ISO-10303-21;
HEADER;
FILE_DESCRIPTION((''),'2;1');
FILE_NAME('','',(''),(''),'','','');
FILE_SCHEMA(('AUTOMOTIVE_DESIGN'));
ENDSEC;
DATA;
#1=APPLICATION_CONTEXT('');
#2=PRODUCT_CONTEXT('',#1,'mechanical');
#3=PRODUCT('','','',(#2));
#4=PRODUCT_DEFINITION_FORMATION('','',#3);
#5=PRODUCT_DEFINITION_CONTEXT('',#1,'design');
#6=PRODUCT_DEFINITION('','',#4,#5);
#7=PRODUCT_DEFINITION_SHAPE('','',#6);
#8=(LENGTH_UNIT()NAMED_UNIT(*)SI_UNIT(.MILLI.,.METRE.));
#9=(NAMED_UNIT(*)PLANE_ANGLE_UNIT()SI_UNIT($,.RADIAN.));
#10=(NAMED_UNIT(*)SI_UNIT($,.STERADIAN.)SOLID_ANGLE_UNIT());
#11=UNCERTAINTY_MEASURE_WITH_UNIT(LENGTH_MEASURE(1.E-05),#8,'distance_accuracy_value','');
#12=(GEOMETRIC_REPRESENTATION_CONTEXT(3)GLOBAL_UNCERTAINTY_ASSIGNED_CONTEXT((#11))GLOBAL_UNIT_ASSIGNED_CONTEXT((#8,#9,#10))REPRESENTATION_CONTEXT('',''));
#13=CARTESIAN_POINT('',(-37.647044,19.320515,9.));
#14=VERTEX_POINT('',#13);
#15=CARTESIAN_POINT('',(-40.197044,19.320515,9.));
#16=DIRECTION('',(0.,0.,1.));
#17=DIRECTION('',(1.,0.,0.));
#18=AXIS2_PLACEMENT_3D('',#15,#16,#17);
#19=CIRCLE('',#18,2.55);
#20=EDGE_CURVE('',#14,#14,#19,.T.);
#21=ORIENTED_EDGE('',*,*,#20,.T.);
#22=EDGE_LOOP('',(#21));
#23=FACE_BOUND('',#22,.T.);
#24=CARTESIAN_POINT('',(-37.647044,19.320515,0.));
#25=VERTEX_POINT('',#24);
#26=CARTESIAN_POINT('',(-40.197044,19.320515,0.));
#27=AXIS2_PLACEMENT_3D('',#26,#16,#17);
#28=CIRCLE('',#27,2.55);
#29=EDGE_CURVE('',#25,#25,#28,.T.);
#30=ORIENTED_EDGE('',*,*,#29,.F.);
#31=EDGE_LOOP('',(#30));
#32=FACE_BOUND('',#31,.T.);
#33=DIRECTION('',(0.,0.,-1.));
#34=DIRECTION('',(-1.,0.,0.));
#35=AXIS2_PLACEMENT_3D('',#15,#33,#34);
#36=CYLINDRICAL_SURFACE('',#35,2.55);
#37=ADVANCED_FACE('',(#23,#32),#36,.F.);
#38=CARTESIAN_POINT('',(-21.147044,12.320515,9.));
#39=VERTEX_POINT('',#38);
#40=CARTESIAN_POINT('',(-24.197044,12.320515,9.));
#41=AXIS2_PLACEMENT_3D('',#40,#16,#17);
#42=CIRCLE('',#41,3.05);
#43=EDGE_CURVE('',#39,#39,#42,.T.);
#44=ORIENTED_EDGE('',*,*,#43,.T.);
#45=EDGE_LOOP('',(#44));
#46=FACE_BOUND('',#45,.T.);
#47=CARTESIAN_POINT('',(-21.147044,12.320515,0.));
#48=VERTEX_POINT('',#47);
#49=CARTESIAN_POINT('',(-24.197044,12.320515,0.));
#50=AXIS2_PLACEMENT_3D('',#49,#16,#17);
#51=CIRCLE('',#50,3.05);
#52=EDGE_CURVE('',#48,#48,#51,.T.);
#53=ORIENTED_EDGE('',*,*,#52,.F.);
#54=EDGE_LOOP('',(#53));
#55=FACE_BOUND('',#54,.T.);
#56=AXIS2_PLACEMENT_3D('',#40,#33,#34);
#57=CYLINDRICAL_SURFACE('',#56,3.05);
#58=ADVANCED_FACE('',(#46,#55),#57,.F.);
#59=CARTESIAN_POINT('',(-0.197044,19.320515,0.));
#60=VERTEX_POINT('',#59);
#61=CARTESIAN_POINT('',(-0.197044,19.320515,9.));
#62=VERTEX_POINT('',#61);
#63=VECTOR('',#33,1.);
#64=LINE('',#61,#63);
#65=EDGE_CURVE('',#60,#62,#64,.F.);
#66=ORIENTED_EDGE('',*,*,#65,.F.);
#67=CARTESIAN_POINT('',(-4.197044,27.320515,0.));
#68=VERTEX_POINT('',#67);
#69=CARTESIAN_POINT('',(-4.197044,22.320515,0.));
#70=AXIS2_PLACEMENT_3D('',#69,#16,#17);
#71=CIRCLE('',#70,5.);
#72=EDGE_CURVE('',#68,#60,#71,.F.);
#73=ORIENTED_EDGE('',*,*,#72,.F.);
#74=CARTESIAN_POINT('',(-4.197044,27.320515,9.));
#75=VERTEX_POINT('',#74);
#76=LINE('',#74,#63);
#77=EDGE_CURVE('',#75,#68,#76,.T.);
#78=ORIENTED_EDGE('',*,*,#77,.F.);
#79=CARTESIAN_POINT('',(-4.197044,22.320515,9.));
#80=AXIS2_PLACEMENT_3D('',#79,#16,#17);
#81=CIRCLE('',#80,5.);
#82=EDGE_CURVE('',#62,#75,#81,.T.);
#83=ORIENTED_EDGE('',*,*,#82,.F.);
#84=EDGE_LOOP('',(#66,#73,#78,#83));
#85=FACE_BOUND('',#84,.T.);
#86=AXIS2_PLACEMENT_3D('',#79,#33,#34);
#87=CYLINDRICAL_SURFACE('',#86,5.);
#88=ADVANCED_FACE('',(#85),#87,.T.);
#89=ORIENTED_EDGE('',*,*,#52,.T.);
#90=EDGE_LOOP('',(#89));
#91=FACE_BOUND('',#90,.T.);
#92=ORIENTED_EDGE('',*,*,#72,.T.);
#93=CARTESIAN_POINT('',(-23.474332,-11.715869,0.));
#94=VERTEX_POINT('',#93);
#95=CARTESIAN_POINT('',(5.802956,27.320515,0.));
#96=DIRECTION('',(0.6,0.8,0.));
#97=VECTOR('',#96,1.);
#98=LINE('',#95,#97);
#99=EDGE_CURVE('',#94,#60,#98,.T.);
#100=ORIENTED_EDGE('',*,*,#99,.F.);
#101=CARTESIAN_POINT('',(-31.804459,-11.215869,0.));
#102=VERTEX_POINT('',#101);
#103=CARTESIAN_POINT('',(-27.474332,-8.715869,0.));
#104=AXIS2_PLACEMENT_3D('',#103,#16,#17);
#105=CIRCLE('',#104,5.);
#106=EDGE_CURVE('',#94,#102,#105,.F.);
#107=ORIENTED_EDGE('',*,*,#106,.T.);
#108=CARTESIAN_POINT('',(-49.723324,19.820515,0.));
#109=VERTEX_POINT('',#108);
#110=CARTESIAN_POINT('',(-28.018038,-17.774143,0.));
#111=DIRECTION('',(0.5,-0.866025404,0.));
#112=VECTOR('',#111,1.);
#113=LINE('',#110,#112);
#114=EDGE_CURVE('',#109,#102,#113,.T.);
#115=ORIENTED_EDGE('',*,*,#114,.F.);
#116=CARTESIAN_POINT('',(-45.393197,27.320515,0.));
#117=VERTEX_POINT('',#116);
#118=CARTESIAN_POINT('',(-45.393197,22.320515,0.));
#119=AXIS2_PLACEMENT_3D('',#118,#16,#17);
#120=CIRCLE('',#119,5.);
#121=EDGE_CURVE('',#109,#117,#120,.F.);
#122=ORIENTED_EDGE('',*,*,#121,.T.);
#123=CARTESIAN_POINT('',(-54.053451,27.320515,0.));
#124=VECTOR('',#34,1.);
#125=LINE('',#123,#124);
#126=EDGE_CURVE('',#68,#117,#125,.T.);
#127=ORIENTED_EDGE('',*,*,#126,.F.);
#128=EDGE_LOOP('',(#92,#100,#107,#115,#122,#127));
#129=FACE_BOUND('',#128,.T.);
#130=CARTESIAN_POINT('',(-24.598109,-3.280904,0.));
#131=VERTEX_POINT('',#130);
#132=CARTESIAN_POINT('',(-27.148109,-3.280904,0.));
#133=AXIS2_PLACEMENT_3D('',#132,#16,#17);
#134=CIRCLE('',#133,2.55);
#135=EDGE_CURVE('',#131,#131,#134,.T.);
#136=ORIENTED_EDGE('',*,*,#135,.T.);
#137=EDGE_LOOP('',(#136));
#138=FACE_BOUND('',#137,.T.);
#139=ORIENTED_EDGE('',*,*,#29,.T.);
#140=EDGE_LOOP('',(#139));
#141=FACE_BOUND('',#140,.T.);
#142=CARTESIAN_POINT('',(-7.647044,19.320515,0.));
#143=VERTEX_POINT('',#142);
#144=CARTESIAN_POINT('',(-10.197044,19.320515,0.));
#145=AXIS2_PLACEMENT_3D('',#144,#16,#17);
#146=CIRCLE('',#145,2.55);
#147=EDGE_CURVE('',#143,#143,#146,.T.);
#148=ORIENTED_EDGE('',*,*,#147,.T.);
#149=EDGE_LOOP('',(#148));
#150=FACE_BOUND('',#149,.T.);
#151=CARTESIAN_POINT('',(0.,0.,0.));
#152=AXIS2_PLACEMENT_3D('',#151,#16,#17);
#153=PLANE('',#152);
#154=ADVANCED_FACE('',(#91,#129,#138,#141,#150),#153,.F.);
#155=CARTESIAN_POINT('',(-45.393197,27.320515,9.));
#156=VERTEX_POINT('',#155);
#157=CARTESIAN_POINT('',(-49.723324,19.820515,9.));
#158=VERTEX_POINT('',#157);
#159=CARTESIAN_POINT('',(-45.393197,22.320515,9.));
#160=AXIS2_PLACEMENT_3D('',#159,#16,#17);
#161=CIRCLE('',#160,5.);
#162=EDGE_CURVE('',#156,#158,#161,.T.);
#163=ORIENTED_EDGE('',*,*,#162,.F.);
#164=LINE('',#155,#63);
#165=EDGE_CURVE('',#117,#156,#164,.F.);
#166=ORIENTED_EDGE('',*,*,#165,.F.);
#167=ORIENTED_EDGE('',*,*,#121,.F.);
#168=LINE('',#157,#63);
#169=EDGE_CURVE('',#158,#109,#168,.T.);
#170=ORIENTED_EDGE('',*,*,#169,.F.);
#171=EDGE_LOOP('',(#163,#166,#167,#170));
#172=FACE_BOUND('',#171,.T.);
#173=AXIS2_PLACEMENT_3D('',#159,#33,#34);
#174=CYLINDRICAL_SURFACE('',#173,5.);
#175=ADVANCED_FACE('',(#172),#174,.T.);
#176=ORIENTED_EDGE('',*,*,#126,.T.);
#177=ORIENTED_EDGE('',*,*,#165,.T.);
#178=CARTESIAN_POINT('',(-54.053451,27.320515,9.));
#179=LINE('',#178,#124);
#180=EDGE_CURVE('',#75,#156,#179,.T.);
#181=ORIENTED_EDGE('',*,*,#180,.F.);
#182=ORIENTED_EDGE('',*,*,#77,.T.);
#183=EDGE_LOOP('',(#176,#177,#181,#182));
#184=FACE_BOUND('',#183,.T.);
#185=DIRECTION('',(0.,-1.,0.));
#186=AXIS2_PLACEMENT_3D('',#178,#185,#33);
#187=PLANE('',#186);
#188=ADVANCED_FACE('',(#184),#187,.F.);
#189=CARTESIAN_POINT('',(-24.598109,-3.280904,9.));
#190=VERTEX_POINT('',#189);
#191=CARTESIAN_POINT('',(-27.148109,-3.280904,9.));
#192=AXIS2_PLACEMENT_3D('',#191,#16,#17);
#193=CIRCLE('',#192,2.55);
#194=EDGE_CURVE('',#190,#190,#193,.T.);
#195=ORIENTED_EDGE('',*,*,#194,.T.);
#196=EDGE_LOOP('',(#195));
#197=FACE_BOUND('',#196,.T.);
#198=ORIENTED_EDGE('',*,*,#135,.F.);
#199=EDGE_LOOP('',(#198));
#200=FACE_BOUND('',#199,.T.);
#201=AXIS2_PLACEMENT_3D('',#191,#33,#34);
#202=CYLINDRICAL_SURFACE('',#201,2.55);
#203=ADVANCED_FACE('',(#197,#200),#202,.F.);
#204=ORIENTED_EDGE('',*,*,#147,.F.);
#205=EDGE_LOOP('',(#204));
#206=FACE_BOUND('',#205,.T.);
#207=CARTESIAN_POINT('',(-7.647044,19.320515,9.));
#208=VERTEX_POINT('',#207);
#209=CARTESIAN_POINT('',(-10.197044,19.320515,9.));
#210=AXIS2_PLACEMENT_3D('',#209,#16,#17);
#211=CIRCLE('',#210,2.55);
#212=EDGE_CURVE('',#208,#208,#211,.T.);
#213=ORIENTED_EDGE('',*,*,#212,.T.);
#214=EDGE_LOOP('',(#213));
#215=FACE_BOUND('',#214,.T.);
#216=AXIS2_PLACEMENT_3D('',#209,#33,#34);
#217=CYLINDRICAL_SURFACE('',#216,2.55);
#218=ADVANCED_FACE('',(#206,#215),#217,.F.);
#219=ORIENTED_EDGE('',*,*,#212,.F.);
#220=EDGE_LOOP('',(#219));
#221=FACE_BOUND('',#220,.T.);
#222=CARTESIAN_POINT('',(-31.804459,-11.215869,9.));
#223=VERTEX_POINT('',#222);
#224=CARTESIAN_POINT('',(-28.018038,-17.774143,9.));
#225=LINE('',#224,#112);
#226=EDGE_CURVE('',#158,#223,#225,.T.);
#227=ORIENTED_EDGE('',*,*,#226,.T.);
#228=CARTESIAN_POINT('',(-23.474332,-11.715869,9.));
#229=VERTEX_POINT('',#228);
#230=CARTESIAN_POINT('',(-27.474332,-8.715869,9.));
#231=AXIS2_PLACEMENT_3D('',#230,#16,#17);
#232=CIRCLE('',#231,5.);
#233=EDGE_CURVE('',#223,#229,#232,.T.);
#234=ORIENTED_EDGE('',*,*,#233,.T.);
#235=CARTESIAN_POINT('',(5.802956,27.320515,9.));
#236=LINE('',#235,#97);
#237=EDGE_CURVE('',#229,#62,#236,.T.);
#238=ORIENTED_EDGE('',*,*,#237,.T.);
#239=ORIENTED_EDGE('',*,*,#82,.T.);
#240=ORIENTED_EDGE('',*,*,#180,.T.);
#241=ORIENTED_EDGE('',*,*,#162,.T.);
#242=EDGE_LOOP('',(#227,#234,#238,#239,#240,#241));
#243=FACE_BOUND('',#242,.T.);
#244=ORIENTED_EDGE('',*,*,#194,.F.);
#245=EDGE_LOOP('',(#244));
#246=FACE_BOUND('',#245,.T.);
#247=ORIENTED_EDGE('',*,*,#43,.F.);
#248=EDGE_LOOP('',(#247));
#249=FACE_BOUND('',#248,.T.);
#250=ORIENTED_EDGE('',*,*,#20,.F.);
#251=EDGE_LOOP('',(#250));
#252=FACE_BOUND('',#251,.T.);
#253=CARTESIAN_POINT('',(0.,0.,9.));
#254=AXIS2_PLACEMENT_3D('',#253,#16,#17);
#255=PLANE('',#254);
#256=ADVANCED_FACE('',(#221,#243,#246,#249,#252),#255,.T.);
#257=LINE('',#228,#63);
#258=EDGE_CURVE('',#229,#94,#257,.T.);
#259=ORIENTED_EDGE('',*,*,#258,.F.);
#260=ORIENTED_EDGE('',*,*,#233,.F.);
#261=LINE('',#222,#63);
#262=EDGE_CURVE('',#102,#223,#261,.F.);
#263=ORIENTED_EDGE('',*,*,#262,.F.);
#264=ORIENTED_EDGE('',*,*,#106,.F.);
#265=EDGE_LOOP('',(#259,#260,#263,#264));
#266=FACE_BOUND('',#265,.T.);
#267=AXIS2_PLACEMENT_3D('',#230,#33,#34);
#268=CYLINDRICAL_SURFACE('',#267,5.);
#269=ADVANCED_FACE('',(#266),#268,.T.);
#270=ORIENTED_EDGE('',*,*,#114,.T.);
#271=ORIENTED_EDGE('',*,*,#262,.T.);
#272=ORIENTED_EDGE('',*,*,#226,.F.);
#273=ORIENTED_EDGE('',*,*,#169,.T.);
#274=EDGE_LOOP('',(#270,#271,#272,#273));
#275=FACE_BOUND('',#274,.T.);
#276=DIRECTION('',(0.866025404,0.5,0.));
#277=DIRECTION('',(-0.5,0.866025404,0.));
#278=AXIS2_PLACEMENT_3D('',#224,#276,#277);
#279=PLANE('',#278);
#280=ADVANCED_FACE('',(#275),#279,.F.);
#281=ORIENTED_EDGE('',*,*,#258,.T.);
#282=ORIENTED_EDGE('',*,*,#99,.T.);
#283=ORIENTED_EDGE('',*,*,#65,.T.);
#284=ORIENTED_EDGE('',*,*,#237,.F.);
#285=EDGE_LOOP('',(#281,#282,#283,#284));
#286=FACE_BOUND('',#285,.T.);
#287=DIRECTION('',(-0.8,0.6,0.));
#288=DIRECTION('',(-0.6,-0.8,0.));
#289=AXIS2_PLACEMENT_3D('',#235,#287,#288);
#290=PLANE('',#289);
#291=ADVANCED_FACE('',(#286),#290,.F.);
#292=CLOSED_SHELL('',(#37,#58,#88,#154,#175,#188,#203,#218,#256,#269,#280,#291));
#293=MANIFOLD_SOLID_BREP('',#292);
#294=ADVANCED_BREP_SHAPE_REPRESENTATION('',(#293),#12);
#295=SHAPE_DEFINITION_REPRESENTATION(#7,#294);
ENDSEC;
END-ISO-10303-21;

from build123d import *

# Parameters (mm, degrees)
SKETCH_1_R      = 2.55
SKETCH_1_R_2    = 3.05
EXTRUDE_1_DEPTH = 9
FILLET_1_R      = 5


with BuildPart() as part:
    # 草图1 → 凸台-拉伸1 (new body)
    with BuildSketch(Plane.XY):
        Polygon((-54.053450796, 27.320514858), (5.802955665, 27.320514858), (-28.018037849, -17.774143161), align=None)
        with Locations((-40.197044335, 19.320514858)):
            Circle(SKETCH_1_R, mode=Mode.SUBTRACT)
        with Locations((-27.148108815, -3.280904448)):
            Circle(SKETCH_1_R, mode=Mode.SUBTRACT)
        with Locations((-10.197044335, 19.320514858)):
            Circle(SKETCH_1_R, mode=Mode.SUBTRACT)
        with Locations((-24.197044335, 12.320514858)):
            Circle(SKETCH_1_R_2, mode=Mode.SUBTRACT)
    extrude(amount=EXTRUDE_1_DEPTH)

    # 圆角1
    fillet_1_edges = [part.edges().sort_by_distance(p)[0] for p in [
        (-54.053450796, 27.320514858, 4.5),
        (5.802955665, 27.320514858, 4.5),
        (-28.018037849, -17.774143161, 4.5),
    ]]
    fillet(fillet_1_edges, radius=FILLET_1_R)


solid = part.part
